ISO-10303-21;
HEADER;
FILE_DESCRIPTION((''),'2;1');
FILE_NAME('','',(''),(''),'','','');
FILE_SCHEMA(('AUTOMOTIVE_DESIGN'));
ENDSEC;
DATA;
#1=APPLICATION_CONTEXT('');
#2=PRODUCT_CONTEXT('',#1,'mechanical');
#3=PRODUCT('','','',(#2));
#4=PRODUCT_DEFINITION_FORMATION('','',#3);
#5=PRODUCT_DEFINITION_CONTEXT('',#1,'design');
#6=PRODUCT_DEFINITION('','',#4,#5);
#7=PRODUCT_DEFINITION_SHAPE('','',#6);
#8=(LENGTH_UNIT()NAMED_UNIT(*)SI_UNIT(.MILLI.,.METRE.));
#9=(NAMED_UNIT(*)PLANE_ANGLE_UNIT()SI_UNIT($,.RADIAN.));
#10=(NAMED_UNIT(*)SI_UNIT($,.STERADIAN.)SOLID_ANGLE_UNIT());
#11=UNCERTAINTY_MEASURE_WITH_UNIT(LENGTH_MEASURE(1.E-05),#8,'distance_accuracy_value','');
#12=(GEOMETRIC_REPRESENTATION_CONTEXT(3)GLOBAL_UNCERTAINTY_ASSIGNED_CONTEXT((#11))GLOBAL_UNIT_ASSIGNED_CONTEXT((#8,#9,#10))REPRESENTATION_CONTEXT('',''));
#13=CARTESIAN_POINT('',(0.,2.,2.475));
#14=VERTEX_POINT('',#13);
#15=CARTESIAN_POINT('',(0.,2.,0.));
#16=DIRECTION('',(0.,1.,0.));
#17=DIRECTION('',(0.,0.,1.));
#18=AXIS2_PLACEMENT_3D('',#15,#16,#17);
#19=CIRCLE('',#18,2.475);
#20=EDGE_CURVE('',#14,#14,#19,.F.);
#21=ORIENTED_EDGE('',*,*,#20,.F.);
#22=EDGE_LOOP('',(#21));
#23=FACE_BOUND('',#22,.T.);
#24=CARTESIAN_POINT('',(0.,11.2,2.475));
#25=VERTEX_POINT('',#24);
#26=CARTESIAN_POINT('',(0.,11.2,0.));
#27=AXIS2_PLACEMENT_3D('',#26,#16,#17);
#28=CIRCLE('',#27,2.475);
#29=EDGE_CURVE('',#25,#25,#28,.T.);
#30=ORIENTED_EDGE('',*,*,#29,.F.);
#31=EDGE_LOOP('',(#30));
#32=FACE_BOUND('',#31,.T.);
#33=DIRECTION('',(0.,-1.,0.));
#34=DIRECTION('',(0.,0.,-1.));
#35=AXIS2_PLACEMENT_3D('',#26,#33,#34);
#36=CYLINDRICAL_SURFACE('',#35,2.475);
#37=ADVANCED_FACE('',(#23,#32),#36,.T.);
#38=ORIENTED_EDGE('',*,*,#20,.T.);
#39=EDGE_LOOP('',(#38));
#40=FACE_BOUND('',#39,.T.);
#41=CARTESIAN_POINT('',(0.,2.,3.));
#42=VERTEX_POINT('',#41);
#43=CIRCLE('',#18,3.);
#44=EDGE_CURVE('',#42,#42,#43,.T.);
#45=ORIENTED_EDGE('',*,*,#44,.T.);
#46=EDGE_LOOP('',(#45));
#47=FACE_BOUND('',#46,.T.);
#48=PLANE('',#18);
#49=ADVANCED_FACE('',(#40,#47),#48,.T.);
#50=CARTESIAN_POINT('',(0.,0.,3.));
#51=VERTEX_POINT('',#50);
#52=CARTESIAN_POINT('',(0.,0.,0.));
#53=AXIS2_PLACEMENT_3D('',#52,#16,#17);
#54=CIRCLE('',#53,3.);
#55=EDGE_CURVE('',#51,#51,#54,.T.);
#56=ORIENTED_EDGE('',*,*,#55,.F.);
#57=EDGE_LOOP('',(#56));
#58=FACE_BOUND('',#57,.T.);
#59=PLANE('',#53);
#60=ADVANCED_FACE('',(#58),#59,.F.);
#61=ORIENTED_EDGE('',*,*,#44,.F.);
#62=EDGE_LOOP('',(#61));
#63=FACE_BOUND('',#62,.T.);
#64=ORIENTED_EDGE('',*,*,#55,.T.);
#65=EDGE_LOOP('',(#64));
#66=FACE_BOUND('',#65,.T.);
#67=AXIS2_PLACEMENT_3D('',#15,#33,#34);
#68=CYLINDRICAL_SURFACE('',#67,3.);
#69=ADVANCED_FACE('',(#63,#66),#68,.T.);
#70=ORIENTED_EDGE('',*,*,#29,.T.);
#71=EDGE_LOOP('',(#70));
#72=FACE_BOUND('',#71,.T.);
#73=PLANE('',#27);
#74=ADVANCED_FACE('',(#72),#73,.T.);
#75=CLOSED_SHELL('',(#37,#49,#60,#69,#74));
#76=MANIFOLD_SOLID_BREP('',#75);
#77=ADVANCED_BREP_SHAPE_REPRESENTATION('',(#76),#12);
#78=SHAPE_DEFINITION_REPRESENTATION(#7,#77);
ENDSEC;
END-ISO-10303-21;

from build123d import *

# Parameters (mm, degrees)
SKETCH3_R           = 3
BOSS_EXTRUDE1_DEPTH = 2
SKETCH4_R           = 2.475
BOSS_EXTRUDE2_DEPTH = 11.2


with BuildPart() as part:
    # Sketch3 → Boss-Extrude1 (new body)
    with BuildSketch(Plane(origin=(0, 0, 0), x_dir=(1, 0, 0), z_dir=(0, 1, 0))):
        Circle(SKETCH3_R)
    extrude(amount=BOSS_EXTRUDE1_DEPTH)

    # Sketch4 → Boss-Extrude2 (add)
    with BuildSketch(Plane(origin=(0, 0, 0), x_dir=(1, 0, 0), z_dir=(0, 1, 0))):
        Circle(SKETCH4_R)
    extrude(amount=BOSS_EXTRUDE2_DEPTH)


solid = part.part
